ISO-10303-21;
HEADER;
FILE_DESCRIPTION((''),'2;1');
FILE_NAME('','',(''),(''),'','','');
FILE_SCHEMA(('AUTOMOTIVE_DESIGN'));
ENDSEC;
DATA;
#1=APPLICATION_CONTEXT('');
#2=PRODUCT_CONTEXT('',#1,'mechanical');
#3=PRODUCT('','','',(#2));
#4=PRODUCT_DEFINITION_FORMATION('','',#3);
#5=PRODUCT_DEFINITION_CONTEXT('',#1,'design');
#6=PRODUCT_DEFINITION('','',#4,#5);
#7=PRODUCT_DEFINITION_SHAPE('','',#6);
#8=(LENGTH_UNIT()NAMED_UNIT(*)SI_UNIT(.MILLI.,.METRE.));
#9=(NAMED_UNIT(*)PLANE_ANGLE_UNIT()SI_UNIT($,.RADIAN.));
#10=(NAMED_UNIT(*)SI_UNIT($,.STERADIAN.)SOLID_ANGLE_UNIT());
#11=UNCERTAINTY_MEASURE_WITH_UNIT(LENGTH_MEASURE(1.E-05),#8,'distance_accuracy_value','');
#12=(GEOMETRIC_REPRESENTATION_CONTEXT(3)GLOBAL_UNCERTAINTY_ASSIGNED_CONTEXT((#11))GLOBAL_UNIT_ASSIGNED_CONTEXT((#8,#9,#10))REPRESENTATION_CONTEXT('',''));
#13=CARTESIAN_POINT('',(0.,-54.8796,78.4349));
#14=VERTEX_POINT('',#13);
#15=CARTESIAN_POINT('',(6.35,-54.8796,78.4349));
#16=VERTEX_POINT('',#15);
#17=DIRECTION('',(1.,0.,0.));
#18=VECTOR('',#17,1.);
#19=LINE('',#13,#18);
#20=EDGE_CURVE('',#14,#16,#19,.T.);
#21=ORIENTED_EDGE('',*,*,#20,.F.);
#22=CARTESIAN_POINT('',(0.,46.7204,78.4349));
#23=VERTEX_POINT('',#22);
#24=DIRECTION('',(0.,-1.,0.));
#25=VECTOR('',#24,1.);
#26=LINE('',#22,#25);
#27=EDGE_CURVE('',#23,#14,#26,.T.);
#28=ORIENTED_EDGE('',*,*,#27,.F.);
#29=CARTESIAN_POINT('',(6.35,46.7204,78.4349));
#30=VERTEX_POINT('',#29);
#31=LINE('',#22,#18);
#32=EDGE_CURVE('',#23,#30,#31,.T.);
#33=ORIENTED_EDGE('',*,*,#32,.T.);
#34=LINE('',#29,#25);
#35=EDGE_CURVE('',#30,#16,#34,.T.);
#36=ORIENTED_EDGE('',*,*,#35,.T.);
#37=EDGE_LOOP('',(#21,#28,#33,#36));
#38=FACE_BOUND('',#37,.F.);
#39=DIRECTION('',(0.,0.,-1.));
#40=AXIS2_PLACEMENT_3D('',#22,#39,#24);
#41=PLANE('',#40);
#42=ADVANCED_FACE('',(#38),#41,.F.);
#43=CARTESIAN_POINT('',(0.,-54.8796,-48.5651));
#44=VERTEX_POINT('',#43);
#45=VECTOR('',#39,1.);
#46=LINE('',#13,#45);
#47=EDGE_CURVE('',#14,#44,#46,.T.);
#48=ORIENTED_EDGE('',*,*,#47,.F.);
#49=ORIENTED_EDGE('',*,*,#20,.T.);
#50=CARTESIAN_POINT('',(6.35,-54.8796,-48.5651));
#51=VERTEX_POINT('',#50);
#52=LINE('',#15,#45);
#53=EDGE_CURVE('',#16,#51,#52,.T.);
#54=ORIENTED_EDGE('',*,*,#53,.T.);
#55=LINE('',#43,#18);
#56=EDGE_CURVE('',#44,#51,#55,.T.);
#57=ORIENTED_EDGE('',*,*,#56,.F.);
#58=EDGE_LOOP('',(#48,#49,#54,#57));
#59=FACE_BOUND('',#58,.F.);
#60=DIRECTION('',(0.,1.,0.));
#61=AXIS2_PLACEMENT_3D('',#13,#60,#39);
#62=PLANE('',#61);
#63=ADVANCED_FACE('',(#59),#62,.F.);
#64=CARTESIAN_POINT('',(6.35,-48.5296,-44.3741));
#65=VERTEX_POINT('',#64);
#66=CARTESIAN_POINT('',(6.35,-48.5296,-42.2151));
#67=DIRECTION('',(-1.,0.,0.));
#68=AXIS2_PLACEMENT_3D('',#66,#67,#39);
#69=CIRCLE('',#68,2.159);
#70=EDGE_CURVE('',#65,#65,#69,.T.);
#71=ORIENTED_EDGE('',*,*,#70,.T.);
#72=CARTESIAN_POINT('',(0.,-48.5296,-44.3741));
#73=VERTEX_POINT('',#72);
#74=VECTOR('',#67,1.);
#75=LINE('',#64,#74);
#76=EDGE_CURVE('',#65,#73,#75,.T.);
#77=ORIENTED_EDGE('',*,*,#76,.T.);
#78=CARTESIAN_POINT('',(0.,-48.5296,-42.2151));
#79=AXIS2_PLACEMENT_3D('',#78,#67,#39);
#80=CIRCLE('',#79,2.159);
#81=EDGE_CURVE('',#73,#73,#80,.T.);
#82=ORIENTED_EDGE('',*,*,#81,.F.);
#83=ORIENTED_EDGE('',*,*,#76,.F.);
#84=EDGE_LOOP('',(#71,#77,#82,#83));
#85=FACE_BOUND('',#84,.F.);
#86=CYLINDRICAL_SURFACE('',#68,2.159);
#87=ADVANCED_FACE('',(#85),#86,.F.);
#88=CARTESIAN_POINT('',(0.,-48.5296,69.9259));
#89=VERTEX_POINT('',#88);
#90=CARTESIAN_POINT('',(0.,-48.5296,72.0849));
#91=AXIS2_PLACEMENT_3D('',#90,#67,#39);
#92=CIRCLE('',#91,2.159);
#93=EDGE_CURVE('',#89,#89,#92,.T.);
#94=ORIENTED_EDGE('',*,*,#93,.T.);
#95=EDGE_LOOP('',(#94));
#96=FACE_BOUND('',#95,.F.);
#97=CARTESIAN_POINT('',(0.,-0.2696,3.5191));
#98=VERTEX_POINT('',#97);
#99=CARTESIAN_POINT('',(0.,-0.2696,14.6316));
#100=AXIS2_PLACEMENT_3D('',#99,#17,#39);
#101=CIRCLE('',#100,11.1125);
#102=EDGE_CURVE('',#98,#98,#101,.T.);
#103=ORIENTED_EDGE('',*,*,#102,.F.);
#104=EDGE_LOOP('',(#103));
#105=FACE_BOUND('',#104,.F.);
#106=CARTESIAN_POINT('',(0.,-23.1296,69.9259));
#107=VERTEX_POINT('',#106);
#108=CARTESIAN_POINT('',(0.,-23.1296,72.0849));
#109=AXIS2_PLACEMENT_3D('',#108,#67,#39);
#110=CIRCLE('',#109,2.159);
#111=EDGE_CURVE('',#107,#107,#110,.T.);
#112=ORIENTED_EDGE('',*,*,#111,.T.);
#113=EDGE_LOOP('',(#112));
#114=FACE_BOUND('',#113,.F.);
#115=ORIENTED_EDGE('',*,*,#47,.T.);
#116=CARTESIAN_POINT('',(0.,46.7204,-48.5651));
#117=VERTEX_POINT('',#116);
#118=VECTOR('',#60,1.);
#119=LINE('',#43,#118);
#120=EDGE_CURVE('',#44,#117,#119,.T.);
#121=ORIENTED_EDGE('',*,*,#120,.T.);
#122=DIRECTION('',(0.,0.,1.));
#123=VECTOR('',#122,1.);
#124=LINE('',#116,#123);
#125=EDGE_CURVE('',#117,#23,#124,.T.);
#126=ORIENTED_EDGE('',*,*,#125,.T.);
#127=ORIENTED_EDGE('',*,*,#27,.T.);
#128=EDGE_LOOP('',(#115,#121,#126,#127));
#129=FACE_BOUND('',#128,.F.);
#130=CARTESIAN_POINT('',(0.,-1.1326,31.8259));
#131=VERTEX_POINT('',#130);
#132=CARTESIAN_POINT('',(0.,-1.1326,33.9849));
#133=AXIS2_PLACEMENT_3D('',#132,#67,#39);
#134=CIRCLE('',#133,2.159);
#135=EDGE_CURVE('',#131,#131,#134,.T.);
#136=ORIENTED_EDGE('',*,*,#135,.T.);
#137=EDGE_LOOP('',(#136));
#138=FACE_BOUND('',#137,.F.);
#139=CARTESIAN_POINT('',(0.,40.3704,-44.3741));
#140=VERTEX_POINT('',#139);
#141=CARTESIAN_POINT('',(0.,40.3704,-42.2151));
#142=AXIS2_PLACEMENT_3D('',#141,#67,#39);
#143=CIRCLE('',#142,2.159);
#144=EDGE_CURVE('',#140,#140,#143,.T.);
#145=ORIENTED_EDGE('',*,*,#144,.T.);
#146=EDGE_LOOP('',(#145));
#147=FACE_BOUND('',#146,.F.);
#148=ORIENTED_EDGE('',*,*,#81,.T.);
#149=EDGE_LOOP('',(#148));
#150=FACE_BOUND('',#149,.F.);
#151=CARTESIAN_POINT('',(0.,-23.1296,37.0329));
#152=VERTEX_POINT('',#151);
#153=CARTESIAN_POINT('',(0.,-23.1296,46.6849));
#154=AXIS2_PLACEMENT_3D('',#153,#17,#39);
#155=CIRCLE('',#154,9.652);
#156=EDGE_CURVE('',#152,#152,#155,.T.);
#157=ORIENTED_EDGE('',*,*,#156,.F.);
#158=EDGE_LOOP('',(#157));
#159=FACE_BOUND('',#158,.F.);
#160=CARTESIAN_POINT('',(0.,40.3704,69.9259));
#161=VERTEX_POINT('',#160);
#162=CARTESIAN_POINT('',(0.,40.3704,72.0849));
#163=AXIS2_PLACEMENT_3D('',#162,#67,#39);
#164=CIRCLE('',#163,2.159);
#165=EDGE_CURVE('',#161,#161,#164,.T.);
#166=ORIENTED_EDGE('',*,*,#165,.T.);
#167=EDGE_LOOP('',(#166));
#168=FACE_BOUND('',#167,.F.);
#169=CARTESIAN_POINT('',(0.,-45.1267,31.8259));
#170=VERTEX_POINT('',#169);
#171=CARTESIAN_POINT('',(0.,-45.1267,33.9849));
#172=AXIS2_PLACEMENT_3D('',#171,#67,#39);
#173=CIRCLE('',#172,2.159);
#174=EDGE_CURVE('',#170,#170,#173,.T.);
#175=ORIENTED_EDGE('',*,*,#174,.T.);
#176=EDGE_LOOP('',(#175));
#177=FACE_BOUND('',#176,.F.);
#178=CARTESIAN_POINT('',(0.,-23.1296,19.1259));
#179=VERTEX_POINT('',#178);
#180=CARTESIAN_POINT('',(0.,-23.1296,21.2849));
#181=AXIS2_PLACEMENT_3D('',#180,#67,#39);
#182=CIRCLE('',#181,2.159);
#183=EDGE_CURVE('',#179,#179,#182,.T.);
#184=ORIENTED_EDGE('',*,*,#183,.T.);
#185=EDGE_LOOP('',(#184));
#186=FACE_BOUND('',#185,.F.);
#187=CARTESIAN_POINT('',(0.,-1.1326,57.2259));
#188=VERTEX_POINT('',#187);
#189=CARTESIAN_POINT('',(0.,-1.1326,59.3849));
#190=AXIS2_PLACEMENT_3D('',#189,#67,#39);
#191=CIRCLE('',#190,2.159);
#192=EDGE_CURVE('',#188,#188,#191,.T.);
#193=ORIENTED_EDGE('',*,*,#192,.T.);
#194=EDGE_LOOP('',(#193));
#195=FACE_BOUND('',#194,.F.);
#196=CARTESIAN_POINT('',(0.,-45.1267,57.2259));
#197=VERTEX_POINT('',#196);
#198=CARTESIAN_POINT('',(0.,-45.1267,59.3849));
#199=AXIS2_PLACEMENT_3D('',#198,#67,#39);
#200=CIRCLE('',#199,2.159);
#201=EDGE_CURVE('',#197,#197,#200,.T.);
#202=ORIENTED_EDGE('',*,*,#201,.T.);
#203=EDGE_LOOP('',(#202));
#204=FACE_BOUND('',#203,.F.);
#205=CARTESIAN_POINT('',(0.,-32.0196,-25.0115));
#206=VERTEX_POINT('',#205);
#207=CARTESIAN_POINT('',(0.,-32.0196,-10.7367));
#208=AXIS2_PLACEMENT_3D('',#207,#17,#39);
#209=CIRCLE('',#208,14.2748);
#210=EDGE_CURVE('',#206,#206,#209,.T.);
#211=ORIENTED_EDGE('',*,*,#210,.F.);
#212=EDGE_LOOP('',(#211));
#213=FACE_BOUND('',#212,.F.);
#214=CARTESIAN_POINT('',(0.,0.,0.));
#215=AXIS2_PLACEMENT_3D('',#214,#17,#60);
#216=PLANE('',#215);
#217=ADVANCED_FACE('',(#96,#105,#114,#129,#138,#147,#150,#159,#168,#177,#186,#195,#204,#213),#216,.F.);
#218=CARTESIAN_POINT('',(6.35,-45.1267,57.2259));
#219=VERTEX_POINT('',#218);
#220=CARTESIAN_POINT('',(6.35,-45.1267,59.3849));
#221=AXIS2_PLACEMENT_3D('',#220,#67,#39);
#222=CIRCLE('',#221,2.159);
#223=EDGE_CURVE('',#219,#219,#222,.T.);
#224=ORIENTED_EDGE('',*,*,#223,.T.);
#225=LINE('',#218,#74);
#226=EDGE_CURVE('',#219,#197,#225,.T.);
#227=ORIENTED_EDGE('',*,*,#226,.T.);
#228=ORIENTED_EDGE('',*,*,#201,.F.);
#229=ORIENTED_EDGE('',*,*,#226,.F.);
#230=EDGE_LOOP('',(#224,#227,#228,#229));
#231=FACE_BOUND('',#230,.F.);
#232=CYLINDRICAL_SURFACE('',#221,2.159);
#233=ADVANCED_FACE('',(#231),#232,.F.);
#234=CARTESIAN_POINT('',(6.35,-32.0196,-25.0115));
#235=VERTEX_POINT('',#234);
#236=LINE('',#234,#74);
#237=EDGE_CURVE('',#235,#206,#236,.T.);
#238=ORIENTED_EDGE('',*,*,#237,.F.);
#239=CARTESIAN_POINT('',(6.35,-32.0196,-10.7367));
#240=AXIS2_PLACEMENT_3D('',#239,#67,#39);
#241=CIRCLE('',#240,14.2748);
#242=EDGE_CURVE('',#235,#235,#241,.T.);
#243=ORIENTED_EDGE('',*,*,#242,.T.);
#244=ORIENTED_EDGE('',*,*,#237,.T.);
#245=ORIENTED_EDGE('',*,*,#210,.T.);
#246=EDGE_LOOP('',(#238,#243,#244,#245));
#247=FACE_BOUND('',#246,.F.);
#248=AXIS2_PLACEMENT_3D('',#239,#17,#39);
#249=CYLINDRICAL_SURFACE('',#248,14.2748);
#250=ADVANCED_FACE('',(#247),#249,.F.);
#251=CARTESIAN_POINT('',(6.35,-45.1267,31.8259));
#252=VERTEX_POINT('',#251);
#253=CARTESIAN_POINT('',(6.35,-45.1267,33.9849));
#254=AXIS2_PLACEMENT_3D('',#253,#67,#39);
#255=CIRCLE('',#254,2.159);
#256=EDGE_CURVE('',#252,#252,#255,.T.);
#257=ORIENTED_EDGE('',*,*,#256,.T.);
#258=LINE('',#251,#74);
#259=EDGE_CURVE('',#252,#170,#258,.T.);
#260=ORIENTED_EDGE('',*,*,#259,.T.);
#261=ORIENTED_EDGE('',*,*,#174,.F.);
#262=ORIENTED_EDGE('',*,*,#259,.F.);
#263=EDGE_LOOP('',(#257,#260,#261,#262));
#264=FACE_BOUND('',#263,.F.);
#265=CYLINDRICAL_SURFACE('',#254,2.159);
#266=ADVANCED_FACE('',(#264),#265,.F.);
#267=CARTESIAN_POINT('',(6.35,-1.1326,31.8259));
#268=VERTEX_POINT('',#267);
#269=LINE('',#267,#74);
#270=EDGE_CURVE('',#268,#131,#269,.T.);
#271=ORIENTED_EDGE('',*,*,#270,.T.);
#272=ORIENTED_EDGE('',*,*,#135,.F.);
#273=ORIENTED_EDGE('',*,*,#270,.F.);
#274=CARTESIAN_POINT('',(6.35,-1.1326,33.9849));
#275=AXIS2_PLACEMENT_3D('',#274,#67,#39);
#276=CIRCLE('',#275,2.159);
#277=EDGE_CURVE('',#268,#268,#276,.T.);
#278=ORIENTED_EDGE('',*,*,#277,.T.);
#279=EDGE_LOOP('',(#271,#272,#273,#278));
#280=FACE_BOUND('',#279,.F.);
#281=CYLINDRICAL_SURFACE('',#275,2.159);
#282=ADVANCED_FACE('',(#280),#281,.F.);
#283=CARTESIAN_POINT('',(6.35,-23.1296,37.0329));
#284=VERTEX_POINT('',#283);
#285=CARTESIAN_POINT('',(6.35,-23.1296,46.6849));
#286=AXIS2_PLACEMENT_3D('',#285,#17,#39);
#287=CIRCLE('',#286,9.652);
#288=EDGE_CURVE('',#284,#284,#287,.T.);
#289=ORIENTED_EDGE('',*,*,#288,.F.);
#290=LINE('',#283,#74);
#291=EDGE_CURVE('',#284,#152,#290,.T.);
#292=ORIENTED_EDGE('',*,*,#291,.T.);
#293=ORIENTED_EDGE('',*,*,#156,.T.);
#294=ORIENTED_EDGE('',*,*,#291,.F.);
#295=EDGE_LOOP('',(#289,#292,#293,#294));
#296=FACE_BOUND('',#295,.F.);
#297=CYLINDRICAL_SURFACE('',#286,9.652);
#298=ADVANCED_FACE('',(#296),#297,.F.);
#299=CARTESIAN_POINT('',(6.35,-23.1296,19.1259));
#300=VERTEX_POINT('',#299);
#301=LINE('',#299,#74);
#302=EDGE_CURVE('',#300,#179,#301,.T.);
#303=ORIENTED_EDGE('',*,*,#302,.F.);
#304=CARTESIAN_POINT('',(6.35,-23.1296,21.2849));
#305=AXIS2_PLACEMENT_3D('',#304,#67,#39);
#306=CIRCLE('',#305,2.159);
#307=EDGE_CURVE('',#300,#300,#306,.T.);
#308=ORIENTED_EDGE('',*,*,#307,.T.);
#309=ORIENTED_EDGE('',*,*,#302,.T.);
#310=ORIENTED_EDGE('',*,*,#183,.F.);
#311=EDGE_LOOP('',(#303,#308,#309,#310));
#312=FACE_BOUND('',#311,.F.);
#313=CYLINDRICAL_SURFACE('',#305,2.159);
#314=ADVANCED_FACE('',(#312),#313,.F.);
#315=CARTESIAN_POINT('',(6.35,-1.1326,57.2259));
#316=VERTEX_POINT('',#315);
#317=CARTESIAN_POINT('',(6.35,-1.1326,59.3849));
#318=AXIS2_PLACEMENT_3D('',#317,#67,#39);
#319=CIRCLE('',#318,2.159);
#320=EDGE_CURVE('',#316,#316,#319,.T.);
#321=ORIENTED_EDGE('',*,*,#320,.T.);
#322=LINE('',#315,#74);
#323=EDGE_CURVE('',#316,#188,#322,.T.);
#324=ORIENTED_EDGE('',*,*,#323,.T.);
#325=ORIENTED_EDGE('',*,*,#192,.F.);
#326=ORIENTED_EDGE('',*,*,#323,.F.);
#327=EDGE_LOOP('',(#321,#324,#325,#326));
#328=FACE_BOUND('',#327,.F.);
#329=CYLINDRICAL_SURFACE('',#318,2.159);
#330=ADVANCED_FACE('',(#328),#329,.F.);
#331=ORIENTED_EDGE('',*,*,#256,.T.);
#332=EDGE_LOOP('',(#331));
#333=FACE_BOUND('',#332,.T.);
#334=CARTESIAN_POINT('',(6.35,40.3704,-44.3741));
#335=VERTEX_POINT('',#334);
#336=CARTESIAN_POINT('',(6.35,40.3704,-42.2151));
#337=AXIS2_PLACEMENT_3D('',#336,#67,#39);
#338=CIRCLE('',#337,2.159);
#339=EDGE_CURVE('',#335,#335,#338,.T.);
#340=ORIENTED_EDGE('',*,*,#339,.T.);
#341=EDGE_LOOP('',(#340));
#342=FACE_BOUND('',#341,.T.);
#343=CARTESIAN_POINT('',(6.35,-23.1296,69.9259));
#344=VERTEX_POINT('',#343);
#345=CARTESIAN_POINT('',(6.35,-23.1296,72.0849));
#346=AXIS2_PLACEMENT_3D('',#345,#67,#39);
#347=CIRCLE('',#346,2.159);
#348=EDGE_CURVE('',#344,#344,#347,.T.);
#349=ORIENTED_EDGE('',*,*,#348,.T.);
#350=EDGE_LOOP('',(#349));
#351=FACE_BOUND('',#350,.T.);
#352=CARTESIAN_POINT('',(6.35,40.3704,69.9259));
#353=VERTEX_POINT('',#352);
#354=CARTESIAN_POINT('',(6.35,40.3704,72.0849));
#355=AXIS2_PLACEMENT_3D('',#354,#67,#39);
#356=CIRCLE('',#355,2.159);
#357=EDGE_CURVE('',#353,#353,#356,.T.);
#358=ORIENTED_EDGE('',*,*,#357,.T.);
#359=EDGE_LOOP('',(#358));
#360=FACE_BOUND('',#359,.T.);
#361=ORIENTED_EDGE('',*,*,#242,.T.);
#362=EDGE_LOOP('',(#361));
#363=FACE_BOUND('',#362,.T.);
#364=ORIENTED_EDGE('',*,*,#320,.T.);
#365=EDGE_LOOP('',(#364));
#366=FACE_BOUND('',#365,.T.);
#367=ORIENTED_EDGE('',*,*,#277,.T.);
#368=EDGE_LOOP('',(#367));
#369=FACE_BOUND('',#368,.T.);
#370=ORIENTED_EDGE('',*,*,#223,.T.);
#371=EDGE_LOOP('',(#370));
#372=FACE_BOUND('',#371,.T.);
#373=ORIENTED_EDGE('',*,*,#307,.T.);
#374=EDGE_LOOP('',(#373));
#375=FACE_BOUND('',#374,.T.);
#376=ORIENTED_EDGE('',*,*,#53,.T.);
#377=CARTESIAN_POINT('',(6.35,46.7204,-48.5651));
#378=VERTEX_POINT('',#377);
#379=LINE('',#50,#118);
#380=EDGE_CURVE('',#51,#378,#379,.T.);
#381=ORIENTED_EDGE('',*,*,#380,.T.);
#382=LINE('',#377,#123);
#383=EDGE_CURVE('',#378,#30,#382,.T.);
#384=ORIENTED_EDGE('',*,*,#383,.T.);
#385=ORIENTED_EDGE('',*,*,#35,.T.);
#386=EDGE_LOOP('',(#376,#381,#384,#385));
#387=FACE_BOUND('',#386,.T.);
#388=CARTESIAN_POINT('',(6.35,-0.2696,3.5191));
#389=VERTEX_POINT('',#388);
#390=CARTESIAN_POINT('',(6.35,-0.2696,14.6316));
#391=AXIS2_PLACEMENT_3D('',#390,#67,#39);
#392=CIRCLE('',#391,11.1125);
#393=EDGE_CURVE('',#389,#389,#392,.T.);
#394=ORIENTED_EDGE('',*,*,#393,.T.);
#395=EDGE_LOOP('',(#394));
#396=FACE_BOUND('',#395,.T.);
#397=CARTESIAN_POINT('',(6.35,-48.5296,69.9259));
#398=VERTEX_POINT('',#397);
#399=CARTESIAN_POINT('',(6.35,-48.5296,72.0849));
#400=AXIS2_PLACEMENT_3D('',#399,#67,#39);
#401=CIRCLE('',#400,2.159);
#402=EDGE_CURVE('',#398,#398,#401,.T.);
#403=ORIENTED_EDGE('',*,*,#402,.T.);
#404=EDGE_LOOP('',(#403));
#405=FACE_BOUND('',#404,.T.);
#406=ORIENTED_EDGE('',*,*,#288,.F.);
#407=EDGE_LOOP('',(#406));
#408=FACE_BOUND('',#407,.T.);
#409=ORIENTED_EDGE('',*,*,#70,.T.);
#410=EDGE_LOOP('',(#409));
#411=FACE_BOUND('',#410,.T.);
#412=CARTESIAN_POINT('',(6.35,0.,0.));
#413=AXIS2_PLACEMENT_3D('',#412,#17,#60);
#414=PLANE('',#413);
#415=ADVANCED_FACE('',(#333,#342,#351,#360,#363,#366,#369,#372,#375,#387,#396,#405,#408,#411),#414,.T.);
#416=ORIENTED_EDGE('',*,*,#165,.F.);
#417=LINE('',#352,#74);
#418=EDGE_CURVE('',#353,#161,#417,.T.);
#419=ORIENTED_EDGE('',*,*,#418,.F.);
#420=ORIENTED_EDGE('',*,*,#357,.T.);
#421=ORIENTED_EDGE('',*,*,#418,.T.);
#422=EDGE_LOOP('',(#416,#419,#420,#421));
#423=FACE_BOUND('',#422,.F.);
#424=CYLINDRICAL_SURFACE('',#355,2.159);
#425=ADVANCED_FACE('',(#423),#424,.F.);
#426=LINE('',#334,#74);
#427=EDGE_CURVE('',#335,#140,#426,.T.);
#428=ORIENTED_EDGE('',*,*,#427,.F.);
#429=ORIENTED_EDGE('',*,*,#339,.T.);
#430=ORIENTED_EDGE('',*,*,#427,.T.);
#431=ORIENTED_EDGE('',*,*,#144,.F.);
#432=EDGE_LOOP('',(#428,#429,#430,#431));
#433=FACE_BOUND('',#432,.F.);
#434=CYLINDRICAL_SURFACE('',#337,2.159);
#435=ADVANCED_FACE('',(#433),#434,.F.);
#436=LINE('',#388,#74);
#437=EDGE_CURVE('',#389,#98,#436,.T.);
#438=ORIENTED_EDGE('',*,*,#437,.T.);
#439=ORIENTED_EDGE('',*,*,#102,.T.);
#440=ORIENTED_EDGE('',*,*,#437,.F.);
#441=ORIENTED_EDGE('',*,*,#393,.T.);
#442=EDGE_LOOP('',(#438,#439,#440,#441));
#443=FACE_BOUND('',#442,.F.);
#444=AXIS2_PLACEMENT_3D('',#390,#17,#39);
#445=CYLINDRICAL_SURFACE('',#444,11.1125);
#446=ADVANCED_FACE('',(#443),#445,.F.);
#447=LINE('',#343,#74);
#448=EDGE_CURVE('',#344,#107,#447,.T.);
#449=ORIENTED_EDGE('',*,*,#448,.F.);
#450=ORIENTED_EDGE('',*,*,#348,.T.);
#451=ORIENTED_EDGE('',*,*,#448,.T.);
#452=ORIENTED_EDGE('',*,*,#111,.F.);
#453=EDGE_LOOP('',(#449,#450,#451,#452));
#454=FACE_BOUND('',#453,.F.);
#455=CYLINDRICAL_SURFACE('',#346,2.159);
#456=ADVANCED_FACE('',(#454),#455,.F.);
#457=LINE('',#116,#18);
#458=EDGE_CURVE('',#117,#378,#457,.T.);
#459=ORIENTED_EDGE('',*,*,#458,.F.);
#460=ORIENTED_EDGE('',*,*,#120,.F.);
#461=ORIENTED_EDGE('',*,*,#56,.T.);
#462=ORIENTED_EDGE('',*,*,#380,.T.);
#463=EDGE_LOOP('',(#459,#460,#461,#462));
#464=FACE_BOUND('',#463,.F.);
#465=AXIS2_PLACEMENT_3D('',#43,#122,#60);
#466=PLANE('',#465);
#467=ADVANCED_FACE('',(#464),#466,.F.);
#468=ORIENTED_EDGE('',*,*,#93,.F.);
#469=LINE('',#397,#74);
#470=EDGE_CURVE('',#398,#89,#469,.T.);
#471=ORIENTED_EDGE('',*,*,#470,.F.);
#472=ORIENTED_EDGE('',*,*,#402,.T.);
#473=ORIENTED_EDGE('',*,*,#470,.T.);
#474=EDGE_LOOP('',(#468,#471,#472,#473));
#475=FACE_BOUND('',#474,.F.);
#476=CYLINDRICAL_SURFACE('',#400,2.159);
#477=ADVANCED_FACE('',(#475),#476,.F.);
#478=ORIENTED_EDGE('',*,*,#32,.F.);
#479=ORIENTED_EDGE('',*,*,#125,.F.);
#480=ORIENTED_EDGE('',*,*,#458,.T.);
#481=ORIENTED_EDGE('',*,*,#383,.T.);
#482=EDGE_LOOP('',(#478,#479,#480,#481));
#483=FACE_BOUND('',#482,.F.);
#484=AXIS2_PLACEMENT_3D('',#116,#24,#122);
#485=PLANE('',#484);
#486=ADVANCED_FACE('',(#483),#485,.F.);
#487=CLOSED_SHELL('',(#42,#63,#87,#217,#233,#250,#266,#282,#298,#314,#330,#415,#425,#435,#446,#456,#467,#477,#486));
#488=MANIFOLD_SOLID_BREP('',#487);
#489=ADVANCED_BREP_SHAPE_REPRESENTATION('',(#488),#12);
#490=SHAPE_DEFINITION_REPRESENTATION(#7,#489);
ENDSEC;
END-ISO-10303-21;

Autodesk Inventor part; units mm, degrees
ref_plane "YZ Plane" through (0, 0, 0) normal (1, 0, 0) x (0, 1, 0)
ref_plane "XZ Plane" through (0, 0, 0) normal (0, 1, 0) x (-1, 0, 0)
ref_plane "XY Plane" through (0, 0, 0) normal (0, 0, 1) x (1, 0, 0)
sketch "Sketch1" plane through (0, 0, 0) normal (1, 0, 0) x (0, 1, 0)
  line L0 (46.7204, 78.4349) -> (-54.8796, 78.4349)
  line L1 (-54.8796, 78.4349) -> (-54.8796, -48.5651)
  line L2 (-54.8796, -48.5651) -> (46.7204, -48.5651)
  line L3 (46.7204, -48.5651) -> (46.7204, 78.4349)
  point P0 (0, 0)
  dimension "d0" = 127
  dimension "d1" = 101.6
extrude "Extrusion1" add sketch "Sketch1" along normal blind 6.35
sketch "Sketch2" plane through (6.35, 0, 0) normal (1, 0, 0) x (0, 0, -1)
  line L0 (48.5651, 46.7204) -> (-78.4349, 46.7204) projected
  line L1 (-78.4349, 46.7204) -> (-78.4349, -54.8796) projected
  line L2 (-78.4349, -54.8796) -> (48.5651, -54.8796) projected
  line L3 (48.5651, -54.8796) -> (48.5651, 46.7204) projected
  point P0 (0, 0)
  point P1 (-72.0849, 40.3704)
  point P2 (42.2151, 40.3704)
  point P3 (42.2151, -48.5296)
  point P4 (-72.0849, -48.5296)
  dimension "d4" = 0
  dimension "d5" = 0
  dimension "d6" = 0
  dimension "d7" = 0
  dimension "d8" = 6.35
  dimension "d9" = 6.35
  dimension "d10" = 6.35
  dimension "d11" = 6.35
hole "Hole1" at (6.35, 40.3704, 72.0849) at (6.35, 40.3704, -42.2151) at (6.35, -48.5296, -42.2151) at (6.35, -48.5296, 72.0849) direction (-1, 0, 0) diameter 4.318 end through all
sketch "Sketch3" plane through (6.35, 0, 0) normal (1, 0, 0) x (0, 0, -1)
  circle A0 centre (-46.6849, -23.1296) radius 9.652
  line L0 (-78.4349, -54.8796) -> (48.5651, -54.8796) projected
  line L1 (-78.4349, 46.7204) -> (-78.4349, -54.8796) projected
  point P0 (0, 0)
  dimension "d19" = 19.304
  dimension "d20" = 31.75
  dimension "d21" = 31.75
extrude "Extrusion2" cut sketch "Sketch3" against normal blind 61.9125
sketch "Sketch4" plane through (6.35, 0, 0) normal (1, 0, 0) x (0, 0, -1)
  circle A0 centre (-46.6849, -23.1296) radius 9.652 projected
  circle A1 centre (-46.6849, -23.1296) radius 9.652 projected
  circle A2 centre (-46.6849, -23.1296) radius 25.4
  line L0 (-46.6849, -23.1296) -> (-105.0514, -23.1296)
  line L1 (-46.6849, -23.1296) -> (-64.9089, 8.4353)
  line L2 (-46.6849, -23.1296) -> (-26.8908, 11.1548)
  line L3 (-46.6849, -23.1296) -> (1.7612, -23.1296)
  line L4 (-46.6849, -23.1296) -> (-29.0867, -53.6105)
  line L5 (-46.6849, -23.1296) -> (-67.8043, -59.7094)
  point P0 (0, 0)
  point P1 (-72.0849, -23.1296)
  point P2 (-21.2849, -23.1296)
  point P3 (-59.3849, -1.1326)
  point P4 (-33.9849, -1.1326)
  point P5 (-33.9849, -45.1267)
  point P6 (-59.3849, -45.1267)
  dimension "d24" = 50.8
  dimension "d25" = 60
  dimension "d26" = 60
  dimension "d27" = 60
  dimension "d28" = 60
hole "Hole2" at (6.35, -23.1296, 72.0849) at (6.35, -23.1296, 21.2849) at (6.35, -1.1326, 59.3849) at (6.35, -1.1326, 33.9849) at (6.35, -45.1267, 33.9849) at (6.35, -45.1267, 59.3849) direction (-1, 0, 0) diameter 4.318 end through all
sketch "Sketch5" plane through (6.35, 0, 0) normal (1, 0, 0) x (0, 0, -1)
  circle A0 centre (-14.6316, -0.2696) radius 11.1125
  circle A1 centre (-46.6849, -23.1296) radius 9.652 projected
  circle A2 centre (-46.6849, -23.1296) radius 39.37
  point P0 (0, 0)
  dimension "d37" = 78.74
  dimension "d36" = 22.225
  dimension "d44" = 22.86
extrude "Extrusion3" cut sketch "Sketch5" against normal blind 66.675 contours A0 A2 | A2 A0 picked at (-11.8926, 2.0476) picked at (-17.7425, -2.4882)
sketch "Sketch6" plane through (6.35, 0, 0) normal (1, 0, 0) x (0, 0, -1)
  circle A0 centre (-14.6316, -0.2696) radius 11.1125 projected
  circle A1 centre (-14.6316, -0.2696) radius 40.64
  circle A2 centre (10.7367, -32.0196) radius 14.2748
  line L0 (48.5651, 46.7204) -> (-78.4349, 46.7204) projected
  point P0 (0, 0)
  dimension "d43" = 81.28
  dimension "d40" = 28.5496
  dimension "d76" = 78.74
extrude "Extrusion4" cut sketch "Sketch6" against normal blind 39.6875 contours A2 A1 | A1 A2 picked at (11.4749, -25.7156) picked at (9.3568, -38.0591)
properties part number "OutsideMotorPlate" material "Aluminum 6061"
